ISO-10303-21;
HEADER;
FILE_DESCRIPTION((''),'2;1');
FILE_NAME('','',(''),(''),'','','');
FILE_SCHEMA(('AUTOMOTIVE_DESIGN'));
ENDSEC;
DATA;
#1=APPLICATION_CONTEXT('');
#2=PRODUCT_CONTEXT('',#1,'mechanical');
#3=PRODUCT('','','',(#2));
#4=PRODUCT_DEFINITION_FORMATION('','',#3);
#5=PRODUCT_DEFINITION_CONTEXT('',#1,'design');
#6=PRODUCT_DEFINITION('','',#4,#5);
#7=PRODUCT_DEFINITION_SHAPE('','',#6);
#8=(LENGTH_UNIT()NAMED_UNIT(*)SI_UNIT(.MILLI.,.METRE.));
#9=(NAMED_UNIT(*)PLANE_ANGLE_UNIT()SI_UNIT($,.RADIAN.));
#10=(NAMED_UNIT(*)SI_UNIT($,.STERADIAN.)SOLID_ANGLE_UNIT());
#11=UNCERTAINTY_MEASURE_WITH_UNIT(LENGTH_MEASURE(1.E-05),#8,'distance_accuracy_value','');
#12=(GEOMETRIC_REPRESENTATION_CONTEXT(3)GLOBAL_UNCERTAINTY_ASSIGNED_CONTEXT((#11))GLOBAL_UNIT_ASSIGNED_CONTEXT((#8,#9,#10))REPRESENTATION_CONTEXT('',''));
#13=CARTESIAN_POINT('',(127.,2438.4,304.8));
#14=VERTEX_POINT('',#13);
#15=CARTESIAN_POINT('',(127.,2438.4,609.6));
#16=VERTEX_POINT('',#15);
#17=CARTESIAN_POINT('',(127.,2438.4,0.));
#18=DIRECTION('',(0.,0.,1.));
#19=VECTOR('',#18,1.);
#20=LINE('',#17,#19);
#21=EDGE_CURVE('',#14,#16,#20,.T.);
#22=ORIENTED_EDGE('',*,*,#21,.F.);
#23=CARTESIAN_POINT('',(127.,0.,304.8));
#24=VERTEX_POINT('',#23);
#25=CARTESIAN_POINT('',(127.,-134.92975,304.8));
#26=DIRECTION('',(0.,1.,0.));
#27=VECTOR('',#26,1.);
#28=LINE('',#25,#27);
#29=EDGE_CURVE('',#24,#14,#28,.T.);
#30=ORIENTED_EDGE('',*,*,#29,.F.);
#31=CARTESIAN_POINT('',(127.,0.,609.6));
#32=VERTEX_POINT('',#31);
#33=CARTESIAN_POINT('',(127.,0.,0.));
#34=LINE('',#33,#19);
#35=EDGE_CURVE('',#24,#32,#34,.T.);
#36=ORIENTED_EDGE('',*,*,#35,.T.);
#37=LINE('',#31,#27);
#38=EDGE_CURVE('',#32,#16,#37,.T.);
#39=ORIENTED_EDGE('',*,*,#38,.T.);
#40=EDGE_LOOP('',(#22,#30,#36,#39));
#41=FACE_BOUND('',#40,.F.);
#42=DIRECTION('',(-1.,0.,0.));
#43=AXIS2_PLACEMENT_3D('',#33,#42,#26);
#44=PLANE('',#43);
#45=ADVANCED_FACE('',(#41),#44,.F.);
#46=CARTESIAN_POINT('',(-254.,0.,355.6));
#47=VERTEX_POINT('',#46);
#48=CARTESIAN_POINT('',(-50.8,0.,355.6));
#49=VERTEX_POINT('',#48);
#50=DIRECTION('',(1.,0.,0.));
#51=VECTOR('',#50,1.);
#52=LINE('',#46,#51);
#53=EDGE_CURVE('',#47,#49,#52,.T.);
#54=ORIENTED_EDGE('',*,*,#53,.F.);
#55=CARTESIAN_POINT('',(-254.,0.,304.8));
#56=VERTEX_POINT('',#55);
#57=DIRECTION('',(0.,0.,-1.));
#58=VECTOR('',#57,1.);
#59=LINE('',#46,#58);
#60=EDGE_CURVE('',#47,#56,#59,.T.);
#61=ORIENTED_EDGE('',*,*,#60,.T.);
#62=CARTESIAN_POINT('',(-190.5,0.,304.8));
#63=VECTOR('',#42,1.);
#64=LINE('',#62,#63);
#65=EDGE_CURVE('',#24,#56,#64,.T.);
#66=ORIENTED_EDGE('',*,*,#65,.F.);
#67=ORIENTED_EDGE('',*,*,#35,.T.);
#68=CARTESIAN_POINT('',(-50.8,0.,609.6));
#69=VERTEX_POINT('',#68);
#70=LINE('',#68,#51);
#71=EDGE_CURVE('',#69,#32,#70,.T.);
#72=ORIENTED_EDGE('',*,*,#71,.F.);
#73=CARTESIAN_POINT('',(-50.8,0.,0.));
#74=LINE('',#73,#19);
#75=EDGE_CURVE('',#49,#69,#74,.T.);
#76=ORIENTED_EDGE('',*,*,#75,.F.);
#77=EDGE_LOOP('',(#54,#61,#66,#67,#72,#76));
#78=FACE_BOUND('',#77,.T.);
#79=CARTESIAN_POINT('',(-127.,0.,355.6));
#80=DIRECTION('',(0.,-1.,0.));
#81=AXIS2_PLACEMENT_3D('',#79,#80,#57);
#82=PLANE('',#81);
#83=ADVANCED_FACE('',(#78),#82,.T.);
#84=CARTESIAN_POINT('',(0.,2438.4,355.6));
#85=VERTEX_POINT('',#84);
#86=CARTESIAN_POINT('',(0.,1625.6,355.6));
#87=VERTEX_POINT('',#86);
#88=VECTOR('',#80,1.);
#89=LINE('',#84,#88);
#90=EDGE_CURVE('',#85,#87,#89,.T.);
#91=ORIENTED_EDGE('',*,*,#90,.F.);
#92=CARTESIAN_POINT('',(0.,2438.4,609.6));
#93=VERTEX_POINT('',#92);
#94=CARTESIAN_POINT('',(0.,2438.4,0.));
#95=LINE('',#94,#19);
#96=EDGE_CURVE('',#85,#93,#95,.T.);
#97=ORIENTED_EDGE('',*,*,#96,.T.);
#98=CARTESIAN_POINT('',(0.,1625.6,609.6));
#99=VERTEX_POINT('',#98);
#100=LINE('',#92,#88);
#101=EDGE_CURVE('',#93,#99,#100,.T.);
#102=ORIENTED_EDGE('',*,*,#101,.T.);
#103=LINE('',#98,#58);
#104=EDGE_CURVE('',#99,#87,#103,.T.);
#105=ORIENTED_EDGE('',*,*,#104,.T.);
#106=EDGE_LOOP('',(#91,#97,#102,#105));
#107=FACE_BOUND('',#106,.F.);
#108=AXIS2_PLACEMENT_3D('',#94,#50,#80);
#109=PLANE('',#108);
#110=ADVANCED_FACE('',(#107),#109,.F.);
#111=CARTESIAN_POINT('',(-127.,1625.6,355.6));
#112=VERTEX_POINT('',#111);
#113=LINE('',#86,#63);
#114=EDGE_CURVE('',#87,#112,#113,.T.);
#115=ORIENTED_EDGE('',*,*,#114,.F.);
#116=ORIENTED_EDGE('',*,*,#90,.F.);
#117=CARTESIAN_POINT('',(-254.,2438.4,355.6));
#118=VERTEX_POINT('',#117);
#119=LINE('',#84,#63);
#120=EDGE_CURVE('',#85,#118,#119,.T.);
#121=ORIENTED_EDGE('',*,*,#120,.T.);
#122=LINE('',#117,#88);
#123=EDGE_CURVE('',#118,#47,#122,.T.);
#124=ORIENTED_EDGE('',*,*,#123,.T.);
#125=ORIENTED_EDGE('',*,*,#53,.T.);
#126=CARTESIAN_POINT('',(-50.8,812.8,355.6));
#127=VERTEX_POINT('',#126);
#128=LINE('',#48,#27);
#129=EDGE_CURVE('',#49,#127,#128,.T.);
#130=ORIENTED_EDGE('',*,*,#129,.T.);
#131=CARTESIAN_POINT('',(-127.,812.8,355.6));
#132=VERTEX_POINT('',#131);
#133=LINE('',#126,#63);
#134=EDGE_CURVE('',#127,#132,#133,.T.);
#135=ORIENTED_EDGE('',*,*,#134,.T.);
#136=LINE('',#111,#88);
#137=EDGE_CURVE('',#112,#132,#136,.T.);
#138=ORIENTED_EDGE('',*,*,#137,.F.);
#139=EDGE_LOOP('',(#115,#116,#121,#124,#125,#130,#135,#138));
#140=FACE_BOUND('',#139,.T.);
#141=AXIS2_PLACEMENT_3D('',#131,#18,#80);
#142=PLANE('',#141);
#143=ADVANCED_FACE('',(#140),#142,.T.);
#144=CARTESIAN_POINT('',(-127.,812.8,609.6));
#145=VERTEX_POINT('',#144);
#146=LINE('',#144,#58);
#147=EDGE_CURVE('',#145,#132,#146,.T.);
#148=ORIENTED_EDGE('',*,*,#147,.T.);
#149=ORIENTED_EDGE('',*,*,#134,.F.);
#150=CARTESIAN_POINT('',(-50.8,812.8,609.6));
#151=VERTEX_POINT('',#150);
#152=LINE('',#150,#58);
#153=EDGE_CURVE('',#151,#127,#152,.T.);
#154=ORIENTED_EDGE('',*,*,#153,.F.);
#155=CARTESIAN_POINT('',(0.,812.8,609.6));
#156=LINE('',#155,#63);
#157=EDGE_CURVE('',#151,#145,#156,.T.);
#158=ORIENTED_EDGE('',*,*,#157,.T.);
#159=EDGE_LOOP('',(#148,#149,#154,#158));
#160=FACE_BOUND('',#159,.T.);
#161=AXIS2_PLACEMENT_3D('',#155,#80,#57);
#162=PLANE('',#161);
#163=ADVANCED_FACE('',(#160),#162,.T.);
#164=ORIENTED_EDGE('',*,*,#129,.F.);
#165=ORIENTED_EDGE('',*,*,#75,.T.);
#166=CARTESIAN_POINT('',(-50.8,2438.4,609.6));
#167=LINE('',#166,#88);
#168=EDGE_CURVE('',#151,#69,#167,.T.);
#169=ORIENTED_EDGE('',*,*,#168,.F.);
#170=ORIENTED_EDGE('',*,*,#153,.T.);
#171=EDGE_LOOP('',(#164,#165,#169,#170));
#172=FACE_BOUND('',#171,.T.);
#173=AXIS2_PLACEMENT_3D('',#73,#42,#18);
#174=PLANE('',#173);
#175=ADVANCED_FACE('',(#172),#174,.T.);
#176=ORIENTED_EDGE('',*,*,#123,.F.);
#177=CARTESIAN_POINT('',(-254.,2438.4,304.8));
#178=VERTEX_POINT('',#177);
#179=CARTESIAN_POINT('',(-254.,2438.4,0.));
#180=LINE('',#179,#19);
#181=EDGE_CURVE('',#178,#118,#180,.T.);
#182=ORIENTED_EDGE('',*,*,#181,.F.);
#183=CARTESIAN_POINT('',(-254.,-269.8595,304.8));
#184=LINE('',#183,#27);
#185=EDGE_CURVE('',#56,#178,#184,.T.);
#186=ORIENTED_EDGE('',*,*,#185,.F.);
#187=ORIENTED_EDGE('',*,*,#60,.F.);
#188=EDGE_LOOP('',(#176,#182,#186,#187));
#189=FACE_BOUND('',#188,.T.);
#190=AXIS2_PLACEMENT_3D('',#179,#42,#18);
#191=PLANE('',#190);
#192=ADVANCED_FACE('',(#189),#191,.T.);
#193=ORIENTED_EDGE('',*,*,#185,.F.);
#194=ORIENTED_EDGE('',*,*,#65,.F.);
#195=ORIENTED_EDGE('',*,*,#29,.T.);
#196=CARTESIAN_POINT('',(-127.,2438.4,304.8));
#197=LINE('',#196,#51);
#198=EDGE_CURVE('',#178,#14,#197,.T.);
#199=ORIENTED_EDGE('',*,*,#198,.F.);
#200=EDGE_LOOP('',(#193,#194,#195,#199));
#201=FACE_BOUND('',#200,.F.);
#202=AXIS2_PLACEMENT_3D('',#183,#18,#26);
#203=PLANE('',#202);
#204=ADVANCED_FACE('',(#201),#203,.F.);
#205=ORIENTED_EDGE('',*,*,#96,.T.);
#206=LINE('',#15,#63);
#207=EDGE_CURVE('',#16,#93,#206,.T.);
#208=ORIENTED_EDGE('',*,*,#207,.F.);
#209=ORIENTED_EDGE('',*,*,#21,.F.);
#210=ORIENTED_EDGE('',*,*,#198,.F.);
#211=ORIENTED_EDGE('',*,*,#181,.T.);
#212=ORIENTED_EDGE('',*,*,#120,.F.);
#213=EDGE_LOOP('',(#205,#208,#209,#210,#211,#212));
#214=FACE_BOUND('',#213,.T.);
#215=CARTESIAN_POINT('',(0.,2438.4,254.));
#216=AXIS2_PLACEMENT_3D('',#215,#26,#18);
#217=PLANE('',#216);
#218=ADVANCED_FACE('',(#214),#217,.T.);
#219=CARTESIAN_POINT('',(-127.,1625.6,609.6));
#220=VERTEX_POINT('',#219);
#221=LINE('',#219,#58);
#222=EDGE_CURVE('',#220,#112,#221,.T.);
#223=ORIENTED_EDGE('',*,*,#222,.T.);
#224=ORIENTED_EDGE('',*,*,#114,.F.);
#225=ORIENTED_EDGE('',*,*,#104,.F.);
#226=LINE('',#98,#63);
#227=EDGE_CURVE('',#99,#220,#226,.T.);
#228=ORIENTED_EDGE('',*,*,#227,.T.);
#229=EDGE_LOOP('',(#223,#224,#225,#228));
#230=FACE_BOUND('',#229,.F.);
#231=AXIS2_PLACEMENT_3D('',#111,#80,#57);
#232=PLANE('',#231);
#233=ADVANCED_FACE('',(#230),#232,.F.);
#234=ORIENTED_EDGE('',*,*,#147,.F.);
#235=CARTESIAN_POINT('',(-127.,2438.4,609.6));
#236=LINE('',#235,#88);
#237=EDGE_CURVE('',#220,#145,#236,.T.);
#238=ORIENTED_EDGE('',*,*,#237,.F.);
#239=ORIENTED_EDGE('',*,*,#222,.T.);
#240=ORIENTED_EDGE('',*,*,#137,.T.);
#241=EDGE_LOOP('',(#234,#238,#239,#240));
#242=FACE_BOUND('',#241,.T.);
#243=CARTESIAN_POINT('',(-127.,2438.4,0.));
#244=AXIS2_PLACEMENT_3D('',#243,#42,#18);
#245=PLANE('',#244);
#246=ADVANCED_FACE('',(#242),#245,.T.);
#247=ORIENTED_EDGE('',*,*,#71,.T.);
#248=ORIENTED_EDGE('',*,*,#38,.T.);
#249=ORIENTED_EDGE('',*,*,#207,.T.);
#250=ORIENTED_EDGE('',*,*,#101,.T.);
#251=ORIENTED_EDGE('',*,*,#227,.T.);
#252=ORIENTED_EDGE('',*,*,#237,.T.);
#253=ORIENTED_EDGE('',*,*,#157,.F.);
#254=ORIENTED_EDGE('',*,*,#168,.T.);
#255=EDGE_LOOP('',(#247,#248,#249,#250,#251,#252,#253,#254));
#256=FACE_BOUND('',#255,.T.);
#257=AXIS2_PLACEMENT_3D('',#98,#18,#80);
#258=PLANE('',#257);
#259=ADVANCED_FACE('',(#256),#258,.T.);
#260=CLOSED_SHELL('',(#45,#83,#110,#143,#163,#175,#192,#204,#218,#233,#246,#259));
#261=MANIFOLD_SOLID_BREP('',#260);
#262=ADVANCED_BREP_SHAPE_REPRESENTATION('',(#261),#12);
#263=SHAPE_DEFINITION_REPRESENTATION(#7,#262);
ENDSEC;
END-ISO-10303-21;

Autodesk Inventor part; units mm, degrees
ref_plane "YZ Plane" through (0, 0, 0) normal (1, 0, 0) x (0, 1, 0)
sketch "Sketch1" plane through (0, 0, 0) normal (0, 0, 1) x (1, 0, 0)
  line L0 (0, 0) -> (127, 0)
  line L1 (127, 0) -> (127, 2438.4)
  line L2 (127, 2438.4) -> (0, 2438.4)
  line L3 (0, 2438.4) -> (0, 0)
  dimension "d0" = 127
  dimension "d1" = 2438.4
extrude "Extrusion1" add sketch "Sketch1" along normal blind 609.6
sketch "Sketch3" plane through (0, 0, 0) normal (-1, 0, 0) x (0, 0, 1)
  line L0 (609.6, 2438.4) -> (609.6, 0) projected
  line L1 (0, 2438.4) -> (0, 0) projected
  line L2 (0, 0) -> (609.6, 0) projected
  line L3 (609.6, 0) -> (609.6, 2438.4) projected
  line L4 (0, 0) -> (609.6, 0)
  line L5 (609.6, 0) -> (609.6, 812.8)
  line L6 (609.6, 812.8) -> (0, 812.8)
  line L7 (0, 812.8) -> (0, 0)
  dimension "d8" = 812.8
extrude "Extrusion3" add sketch "Sketch3" along normal blind 50.8
sketch "Sketch4" plane through (0, 2438.4, 0) normal (-1, 0, 0) x (0, 0, 1)
  line L0 (609.6, -1625.6) -> (0, -1625.6) projected
  line L1 (609.6, 0) -> (609.6, -1625.6) projected
  line L2 (0, 0) -> (0, -1625.6) projected
  line L3 (0, -1625.6) -> (609.6, -1625.6)
  line L4 (609.6, -1625.6) -> (609.6, -812.8)
  line L5 (609.6, -812.8) -> (0, -812.8)
  line L6 (0, -812.8) -> (0, -1625.6)
  point P0 (0, -2438.4)
  dimension "d11" = 812.8
extrude "Extrusion4" add sketch "Sketch4" along normal blind 127
sketch "Sketch5" plane through (0, 1625.6, 0) normal (-1, 0, 0) x (0, 0, 1)
  line L0 (519.5823, 575.5562) -> (519.5823, 226.8611) construction
  line L1 (519.5823, 226.8611) -> (23.9628, 226.8611) construction
  line L2 (23.9628, 226.8611) -> (23.9628, 575.5562) construction
  line L3 (23.9628, 575.5562) -> (519.5823, 575.5562) construction
  point P0 (0, -1625.6)
sketch "Sketch6" plane through (-127, 2438.4, 0) normal (-1, 0, 0) x (0, 0, 1)
  line L0 (504.953, -1049.3947) -> (504.953, -1386.624) construction
  line L1 (504.953, -1386.624) -> (88.8121, -1386.624) construction
  line L2 (88.8121, -1386.624) -> (88.8121, -1049.3947) construction
  line L3 (88.8121, -1049.3947) -> (504.953, -1049.3947) construction
  point P0 (0, -2438.4)
sketch "Sketch7" plane through (-50.8, 0, 0) normal (-1, 0, 0) x (0, 0, 1)
  line L0 (510.0659, 619.5124) -> (510.0659, 275.8757) construction
  line L1 (510.0659, 275.8757) -> (79.0869, 275.8757) construction
  line L2 (79.0869, 275.8757) -> (79.0869, 619.5124) construction
  line L3 (79.0869, 619.5124) -> (510.0659, 619.5124) construction
  point P0 (0, 0)
sketch "Sketch8" plane through (-50.8, 0, 0) normal (-1, 0, 0) x (0, 0, 1)
  line L0 (0, 812.8) -> (609.6, 812.8) projected
  line L1 (0, 0) -> (609.6, 0) projected
  line L2 (355.6, 812.8) -> (254, 812.8)
  line L3 (254, 812.8) -> (254, 0)
  line L4 (254, 0) -> (355.6, 0)
  line L5 (355.6, 0) -> (355.6, 812.8)
  line L6 (609.6, 0) -> (609.6, 812.8) projected
  line L7 (0, 812.8) -> (0, 0) projected
  point P0 (127, 0)
  point P1 (482.6, 0)
  point P2 (609.6, 127)
  point P3 (0, 127)
  dimension "d15" = 254
  dimension "d16" = 254
extrude "Extrusion5" add sketch "Sketch8" along normal up to surface (76.2 mm away) contours L0 L5 L1 L3
sketch "Sketch9" plane through (-127, 2438.4, 0) normal (-1, 0, 0) x (0, 0, 1)
  line L0 (254, -2438.4) -> (254, -1625.6) projected
  line L1 (355.6, -1625.6) -> (355.6, -2438.4) projected
  line L2 (609.6, -812.8) -> (0, -812.8) projected
  line L3 (355.6, -1625.6) -> (254, -1625.6)
  line L4 (254, -1625.6) -> (254, -812.8)
  line L5 (254, -812.8) -> (355.6, -812.8)
  line L6 (355.6, -812.8) -> (355.6, -1625.6)
  point P0 (0, -2438.4)
extrude "Extrusion6" add sketch "Sketch9" along normal blind 127
sketch "Sketch10" plane through (0, 1625.6, 0) normal (-1, 0, 0) x (0, 0, 1)
  line L0 (254, 0) -> (254, -812.8) projected
  line L1 (355.6, -812.8) -> (355.6, 0) projected
  line L2 (355.6, 0) -> (254, 0) projected
  line L3 (0, 812.8) -> (609.6, 812.8) projected
  line L4 (355.6, 0) -> (254, 0)
  line L5 (254, 0) -> (254, 812.8)
  line L6 (254, 812.8) -> (355.6, 812.8)
  line L7 (355.6, 812.8) -> (355.6, 0)
  point P0 (0, -1625.6)
  point P1 (127, 812.8)
  point P2 (482.6, 812.8)
extrude "Extrusion7" add sketch "Sketch10" along normal up to surface (254 mm away)
sketch "Sketch11" plane through (-127, 2438.4, 0) normal (-1, 0, 0) x (0, 0, 1)
  line L0 (254, -1625.6) -> (355.6, -1625.6) projected
  line L1 (254, -2438.4) -> (254, -1625.6) projected
  line L2 (355.6, -1625.6) -> (355.6, -2438.4) projected
  line L3 (355.6, -2438.4) -> (254, -2438.4) projected
  point P0 (0, -2438.4)
extrude "Extrusion8" add sketch "Sketch11" along normal up to surface (127 mm away)
ref_plane "Work Plane1" through (-50.8, 1219.2, 482.6) normal (0, -1, 0) x (1, 0, 0)
ref_plane "Work Plane2" through (0, 0, 304.8) normal (0, 0, 1) x (1, 0, 0)
sketch "Sketch15" plane through (-254, 2438.4, 0) normal (-1, 0, 0) x (0, 0, 1)
  line L0 (-285.5024, -2708.2595) -> (304.8, -2708.2595)
  line L1 (304.8, -2708.2595) -> (304.8, 202.5179)
  line L2 (304.8, 202.5179) -> (-285.5024, 202.5179)
  line L3 (-285.5024, 202.5179) -> (-285.5024, -2708.2595)
  line L4 (254, -2438.4) -> (254, 0) projected
  line L5 (355.6, 0) -> (355.6, -2438.4) projected
  point P0 (0, -2438.4)
  dimension "d55" = 50.8
  dimension "d56" = 50.8
extrude "Extrusion12" cut sketch "Sketch15" against normal blind 865.1875
equation "\"d8\" = 0.333333 * d1"
equation "\"d11\" = 0.333333 * d1"
properties part number "Hill"
